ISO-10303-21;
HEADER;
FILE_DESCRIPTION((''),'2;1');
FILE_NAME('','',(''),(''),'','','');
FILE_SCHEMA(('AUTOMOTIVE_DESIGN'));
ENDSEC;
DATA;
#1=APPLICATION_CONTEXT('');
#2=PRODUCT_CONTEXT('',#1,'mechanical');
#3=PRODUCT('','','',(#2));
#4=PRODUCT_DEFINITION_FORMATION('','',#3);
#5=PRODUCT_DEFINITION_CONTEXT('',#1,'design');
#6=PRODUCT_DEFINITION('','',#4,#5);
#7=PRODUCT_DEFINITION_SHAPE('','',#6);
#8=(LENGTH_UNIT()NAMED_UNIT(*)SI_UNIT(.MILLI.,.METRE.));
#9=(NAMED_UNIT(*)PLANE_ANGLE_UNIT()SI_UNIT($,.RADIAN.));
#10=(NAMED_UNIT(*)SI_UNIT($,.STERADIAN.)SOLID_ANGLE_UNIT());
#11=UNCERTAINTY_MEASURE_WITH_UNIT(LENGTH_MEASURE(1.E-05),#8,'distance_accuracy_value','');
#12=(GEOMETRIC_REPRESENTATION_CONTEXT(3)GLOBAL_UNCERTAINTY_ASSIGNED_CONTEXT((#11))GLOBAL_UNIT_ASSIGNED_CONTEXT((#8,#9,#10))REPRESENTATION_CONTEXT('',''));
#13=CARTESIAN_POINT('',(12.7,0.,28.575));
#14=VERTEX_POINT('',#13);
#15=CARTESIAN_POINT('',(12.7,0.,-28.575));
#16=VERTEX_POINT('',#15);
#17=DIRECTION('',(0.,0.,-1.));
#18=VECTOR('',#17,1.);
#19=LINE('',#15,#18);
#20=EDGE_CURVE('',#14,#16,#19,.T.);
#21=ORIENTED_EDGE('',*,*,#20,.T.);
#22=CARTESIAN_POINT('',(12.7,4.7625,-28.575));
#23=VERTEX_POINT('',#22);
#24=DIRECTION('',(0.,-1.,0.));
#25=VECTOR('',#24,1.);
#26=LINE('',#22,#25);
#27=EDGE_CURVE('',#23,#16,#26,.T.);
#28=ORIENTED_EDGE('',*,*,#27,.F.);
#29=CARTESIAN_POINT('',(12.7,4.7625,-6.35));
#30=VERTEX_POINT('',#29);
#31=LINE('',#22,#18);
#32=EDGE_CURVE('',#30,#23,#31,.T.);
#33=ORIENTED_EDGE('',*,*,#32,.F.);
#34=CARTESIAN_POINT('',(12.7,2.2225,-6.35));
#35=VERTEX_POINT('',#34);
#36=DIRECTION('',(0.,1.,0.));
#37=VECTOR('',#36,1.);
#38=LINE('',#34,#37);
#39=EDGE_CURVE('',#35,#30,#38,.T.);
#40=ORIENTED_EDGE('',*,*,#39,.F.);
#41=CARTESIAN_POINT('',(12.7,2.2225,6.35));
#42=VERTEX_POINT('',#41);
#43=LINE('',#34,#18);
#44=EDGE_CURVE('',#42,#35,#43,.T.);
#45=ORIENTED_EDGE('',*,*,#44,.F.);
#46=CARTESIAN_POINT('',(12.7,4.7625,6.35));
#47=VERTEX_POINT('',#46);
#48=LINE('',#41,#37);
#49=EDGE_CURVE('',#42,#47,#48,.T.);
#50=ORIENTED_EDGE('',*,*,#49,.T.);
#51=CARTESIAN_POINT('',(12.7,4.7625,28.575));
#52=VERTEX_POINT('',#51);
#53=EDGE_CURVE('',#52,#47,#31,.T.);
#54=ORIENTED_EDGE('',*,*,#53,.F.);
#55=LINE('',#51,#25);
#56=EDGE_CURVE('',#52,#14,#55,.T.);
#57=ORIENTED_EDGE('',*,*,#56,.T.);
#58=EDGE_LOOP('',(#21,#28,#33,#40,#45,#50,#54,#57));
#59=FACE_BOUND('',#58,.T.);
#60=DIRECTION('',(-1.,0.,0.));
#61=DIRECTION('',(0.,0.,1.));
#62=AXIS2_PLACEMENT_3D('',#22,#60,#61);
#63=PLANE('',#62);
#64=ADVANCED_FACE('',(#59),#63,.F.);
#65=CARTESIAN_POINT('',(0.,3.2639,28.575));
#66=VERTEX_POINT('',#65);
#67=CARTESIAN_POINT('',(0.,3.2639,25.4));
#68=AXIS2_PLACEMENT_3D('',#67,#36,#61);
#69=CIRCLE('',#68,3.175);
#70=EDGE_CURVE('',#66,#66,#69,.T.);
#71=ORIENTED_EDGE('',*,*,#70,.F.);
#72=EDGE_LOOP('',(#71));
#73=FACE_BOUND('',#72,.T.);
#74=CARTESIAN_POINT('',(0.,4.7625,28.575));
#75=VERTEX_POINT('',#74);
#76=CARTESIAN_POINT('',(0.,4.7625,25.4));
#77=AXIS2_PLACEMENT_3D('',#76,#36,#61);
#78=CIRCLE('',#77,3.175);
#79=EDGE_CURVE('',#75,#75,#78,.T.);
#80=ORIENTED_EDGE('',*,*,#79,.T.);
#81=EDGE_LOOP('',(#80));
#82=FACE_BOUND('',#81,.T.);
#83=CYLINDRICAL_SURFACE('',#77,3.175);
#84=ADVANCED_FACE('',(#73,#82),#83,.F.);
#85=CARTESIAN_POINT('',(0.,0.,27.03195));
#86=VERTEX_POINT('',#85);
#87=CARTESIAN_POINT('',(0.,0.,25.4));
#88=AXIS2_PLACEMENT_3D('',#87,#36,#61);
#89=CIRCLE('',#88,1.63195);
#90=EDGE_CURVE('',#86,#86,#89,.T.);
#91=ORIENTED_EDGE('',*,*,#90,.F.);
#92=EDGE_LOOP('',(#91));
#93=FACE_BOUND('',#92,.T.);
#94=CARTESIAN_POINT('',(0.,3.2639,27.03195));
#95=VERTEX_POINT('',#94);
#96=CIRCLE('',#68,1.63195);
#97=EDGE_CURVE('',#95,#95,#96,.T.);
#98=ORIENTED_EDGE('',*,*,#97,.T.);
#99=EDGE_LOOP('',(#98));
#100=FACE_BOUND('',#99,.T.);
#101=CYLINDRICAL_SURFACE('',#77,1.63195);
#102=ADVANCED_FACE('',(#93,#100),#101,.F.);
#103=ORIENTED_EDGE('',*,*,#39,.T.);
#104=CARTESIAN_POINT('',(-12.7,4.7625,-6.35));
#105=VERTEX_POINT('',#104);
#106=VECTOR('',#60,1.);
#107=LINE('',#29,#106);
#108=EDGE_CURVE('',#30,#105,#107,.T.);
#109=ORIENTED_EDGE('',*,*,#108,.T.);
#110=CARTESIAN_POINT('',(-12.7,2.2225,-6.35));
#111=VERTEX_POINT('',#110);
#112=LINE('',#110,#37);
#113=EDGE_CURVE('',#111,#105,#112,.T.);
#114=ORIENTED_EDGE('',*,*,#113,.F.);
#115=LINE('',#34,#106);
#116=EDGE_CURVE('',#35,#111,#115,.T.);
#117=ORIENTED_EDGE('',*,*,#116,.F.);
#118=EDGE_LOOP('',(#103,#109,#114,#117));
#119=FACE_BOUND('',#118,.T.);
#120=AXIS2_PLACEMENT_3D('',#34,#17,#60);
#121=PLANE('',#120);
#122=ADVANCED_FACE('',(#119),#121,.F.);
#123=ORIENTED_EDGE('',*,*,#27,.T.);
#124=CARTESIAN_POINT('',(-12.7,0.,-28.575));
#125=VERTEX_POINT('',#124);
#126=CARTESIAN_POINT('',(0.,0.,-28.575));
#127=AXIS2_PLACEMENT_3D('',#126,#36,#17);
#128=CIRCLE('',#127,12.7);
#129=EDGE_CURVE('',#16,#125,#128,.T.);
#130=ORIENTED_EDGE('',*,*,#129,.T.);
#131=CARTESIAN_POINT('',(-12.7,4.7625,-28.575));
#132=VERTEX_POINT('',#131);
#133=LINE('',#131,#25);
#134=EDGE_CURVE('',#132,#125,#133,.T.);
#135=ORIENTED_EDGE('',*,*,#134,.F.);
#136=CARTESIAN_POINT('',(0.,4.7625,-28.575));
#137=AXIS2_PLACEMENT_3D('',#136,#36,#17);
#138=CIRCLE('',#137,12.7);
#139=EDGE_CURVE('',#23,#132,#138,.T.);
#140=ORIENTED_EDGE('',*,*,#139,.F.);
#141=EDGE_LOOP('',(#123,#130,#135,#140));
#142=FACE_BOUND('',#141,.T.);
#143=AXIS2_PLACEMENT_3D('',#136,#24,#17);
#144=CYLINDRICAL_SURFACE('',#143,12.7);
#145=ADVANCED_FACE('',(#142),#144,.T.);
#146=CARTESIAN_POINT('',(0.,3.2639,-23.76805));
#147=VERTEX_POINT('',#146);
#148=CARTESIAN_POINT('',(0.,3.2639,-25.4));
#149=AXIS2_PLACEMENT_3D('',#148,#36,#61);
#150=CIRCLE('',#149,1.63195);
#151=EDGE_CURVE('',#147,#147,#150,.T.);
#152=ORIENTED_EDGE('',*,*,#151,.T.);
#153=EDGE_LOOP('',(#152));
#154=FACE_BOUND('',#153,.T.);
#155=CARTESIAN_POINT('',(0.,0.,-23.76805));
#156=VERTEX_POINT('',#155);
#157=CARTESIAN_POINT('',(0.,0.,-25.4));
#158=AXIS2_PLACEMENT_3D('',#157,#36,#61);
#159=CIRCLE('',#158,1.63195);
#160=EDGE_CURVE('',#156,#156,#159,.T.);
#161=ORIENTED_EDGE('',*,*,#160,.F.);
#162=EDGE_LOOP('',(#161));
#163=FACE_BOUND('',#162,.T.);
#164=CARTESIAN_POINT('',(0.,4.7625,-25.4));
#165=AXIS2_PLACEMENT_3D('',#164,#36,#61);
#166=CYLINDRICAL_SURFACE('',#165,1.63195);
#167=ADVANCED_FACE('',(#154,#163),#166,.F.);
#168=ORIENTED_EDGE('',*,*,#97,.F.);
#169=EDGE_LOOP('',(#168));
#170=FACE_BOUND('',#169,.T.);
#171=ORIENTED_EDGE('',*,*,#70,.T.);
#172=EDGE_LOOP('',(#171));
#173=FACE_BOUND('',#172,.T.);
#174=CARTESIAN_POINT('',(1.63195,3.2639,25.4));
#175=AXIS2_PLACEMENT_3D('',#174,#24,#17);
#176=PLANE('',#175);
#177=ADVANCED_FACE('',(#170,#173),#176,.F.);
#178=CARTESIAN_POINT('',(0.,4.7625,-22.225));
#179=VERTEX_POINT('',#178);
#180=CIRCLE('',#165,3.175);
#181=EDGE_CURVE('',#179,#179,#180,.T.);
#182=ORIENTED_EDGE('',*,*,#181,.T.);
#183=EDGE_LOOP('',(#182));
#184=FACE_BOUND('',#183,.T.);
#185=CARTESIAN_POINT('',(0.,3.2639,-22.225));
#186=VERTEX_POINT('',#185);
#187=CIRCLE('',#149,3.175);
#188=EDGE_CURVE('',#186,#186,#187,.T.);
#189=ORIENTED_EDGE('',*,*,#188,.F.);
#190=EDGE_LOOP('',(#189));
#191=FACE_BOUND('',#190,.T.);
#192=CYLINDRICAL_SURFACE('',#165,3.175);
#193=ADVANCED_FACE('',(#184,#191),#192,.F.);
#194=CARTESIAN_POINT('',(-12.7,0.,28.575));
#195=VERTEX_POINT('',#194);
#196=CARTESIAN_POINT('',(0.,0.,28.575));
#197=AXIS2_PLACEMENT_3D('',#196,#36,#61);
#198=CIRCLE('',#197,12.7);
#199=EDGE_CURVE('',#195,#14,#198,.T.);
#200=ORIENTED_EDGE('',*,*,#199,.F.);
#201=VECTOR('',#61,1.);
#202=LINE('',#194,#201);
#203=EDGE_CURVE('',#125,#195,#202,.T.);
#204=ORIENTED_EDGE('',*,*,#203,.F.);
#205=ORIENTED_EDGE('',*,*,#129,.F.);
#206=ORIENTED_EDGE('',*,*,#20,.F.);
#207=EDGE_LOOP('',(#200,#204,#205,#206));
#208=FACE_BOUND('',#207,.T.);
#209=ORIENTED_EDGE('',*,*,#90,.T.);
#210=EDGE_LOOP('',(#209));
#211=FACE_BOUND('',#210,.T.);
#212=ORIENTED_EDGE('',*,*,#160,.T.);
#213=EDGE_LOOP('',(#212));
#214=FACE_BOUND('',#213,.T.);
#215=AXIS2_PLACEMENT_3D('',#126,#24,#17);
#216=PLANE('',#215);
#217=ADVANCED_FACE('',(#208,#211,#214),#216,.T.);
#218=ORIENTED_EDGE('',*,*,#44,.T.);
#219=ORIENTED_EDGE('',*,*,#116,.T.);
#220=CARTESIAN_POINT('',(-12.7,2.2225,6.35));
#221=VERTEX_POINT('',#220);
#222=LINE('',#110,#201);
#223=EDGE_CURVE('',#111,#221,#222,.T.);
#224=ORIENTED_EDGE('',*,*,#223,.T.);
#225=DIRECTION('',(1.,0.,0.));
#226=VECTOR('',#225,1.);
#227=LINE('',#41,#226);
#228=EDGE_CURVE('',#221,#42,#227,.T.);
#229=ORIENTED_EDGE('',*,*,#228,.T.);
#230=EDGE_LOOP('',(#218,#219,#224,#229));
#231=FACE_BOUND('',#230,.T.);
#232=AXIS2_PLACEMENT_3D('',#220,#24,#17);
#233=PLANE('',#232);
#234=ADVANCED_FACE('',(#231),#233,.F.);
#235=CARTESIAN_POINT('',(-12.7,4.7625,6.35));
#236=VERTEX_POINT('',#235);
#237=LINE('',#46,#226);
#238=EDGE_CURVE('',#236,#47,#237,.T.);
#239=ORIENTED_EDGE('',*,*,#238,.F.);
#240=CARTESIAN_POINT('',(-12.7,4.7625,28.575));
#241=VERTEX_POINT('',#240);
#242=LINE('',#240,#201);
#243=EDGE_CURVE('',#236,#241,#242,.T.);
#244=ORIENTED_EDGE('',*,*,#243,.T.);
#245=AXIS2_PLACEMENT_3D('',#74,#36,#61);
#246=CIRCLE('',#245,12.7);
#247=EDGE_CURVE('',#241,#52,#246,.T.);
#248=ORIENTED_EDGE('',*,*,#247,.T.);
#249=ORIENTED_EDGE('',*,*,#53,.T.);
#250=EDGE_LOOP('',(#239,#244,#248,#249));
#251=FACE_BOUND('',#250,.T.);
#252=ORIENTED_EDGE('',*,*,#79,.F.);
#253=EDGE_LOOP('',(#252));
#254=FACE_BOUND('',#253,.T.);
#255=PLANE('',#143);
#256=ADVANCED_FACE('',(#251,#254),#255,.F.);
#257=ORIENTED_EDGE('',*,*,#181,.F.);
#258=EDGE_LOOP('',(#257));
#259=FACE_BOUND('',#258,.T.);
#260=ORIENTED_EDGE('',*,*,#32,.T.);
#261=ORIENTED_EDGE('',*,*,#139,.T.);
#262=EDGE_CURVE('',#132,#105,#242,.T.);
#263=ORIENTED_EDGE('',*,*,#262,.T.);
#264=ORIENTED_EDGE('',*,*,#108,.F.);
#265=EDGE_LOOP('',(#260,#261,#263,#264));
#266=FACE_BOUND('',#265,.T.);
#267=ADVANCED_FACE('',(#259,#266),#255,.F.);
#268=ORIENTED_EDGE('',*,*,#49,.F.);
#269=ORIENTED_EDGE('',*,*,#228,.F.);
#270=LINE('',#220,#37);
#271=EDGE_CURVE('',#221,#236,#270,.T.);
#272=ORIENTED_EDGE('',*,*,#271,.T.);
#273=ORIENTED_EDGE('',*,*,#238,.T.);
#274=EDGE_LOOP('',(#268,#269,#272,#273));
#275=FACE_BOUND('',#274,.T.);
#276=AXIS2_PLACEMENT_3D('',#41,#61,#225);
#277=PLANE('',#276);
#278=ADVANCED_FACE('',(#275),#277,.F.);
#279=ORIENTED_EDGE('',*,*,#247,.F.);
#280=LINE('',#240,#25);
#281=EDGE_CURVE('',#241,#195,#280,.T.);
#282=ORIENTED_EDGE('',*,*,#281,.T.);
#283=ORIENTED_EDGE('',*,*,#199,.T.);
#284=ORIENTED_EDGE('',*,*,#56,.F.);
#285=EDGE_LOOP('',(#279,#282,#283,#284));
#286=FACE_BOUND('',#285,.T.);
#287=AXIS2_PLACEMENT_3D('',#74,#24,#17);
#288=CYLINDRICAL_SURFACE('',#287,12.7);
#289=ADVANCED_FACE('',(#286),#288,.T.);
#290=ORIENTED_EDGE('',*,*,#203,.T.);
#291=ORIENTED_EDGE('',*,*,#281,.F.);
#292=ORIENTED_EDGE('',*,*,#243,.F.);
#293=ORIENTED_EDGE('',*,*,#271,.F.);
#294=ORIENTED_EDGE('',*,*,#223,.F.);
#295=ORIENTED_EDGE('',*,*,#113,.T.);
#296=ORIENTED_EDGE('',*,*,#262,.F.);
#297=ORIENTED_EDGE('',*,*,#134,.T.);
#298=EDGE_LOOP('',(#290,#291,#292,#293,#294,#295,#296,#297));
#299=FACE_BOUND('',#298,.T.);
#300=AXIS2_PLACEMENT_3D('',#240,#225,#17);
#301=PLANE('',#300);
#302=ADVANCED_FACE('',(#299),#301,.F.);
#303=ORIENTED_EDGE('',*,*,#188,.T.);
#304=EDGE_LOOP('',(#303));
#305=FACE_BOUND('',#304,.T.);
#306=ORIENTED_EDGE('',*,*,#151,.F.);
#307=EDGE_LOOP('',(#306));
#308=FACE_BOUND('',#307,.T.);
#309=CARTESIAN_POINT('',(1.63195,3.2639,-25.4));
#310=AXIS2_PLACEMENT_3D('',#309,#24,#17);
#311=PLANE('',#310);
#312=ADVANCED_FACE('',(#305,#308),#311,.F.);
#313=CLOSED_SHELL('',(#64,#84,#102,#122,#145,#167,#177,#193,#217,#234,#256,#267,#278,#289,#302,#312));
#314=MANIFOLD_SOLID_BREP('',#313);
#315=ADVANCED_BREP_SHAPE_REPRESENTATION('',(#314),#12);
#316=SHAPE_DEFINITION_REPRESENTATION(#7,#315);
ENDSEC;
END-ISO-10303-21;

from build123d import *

# Parameters (mm, degrees)
BOSS_EXTRUDE1_DEPTH                            = 4.7625
CBORE_FOR_4_BUTTON_HEAD_CAP_SCREW1_D           = 3.2639
CBORE_FOR_4_BUTTON_HEAD_CAP_SCREW1_CBORE_D     = 6.35
CBORE_FOR_4_BUTTON_HEAD_CAP_SCREW1_CBORE_DEPTH = 1.4986
SKETCH6_W                                      = 25.4
SKETCH6_H                                      = 12.7
CUT_EXTRUDE1_DEPTH                             = 2.54


with BuildPart() as part:
    # Sketch1 → Boss-Extrude1 (new body)
    with BuildSketch(Plane(origin=(0, 0, 0), x_dir=(1, 0, 0), z_dir=(0, 1, 0))):
        with BuildLine():
            Line((-12.7, -28.575), (-12.7, 28.575))
            ThreePointArc((-12.7, 28.575), (0, 41.275), (12.7, 28.575))
            Line((12.7, 28.575), (12.7, -28.575))
            ThreePointArc((12.7, -28.575), (0, -41.275), (-12.7, -28.575))
        make_face()
    extrude(amount=BOSS_EXTRUDE1_DEPTH)

    # CBORE for #4 Button Head Cap Screw1 (through all)
    with Locations(Plane(origin=(0, 4.7625, 0), x_dir=(-1, 0, 0), z_dir=(0, 1, 0))):
        with Locations((0, 25.4), (0, -25.4)):
            CounterBoreHole(CBORE_FOR_4_BUTTON_HEAD_CAP_SCREW1_D / 2, CBORE_FOR_4_BUTTON_HEAD_CAP_SCREW1_CBORE_D / 2, CBORE_FOR_4_BUTTON_HEAD_CAP_SCREW1_CBORE_DEPTH)

    # Sketch6 → Cut-Extrude1 (cut)
    with BuildSketch(Plane(origin=(0, 4.7625, 0), x_dir=(1, 0, 0), z_dir=(0, 1, 0))):
        Rectangle(SKETCH6_W, SKETCH6_H)
    extrude(amount=-CUT_EXTRUDE1_DEPTH, mode=Mode.SUBTRACT)


solid = part.part
